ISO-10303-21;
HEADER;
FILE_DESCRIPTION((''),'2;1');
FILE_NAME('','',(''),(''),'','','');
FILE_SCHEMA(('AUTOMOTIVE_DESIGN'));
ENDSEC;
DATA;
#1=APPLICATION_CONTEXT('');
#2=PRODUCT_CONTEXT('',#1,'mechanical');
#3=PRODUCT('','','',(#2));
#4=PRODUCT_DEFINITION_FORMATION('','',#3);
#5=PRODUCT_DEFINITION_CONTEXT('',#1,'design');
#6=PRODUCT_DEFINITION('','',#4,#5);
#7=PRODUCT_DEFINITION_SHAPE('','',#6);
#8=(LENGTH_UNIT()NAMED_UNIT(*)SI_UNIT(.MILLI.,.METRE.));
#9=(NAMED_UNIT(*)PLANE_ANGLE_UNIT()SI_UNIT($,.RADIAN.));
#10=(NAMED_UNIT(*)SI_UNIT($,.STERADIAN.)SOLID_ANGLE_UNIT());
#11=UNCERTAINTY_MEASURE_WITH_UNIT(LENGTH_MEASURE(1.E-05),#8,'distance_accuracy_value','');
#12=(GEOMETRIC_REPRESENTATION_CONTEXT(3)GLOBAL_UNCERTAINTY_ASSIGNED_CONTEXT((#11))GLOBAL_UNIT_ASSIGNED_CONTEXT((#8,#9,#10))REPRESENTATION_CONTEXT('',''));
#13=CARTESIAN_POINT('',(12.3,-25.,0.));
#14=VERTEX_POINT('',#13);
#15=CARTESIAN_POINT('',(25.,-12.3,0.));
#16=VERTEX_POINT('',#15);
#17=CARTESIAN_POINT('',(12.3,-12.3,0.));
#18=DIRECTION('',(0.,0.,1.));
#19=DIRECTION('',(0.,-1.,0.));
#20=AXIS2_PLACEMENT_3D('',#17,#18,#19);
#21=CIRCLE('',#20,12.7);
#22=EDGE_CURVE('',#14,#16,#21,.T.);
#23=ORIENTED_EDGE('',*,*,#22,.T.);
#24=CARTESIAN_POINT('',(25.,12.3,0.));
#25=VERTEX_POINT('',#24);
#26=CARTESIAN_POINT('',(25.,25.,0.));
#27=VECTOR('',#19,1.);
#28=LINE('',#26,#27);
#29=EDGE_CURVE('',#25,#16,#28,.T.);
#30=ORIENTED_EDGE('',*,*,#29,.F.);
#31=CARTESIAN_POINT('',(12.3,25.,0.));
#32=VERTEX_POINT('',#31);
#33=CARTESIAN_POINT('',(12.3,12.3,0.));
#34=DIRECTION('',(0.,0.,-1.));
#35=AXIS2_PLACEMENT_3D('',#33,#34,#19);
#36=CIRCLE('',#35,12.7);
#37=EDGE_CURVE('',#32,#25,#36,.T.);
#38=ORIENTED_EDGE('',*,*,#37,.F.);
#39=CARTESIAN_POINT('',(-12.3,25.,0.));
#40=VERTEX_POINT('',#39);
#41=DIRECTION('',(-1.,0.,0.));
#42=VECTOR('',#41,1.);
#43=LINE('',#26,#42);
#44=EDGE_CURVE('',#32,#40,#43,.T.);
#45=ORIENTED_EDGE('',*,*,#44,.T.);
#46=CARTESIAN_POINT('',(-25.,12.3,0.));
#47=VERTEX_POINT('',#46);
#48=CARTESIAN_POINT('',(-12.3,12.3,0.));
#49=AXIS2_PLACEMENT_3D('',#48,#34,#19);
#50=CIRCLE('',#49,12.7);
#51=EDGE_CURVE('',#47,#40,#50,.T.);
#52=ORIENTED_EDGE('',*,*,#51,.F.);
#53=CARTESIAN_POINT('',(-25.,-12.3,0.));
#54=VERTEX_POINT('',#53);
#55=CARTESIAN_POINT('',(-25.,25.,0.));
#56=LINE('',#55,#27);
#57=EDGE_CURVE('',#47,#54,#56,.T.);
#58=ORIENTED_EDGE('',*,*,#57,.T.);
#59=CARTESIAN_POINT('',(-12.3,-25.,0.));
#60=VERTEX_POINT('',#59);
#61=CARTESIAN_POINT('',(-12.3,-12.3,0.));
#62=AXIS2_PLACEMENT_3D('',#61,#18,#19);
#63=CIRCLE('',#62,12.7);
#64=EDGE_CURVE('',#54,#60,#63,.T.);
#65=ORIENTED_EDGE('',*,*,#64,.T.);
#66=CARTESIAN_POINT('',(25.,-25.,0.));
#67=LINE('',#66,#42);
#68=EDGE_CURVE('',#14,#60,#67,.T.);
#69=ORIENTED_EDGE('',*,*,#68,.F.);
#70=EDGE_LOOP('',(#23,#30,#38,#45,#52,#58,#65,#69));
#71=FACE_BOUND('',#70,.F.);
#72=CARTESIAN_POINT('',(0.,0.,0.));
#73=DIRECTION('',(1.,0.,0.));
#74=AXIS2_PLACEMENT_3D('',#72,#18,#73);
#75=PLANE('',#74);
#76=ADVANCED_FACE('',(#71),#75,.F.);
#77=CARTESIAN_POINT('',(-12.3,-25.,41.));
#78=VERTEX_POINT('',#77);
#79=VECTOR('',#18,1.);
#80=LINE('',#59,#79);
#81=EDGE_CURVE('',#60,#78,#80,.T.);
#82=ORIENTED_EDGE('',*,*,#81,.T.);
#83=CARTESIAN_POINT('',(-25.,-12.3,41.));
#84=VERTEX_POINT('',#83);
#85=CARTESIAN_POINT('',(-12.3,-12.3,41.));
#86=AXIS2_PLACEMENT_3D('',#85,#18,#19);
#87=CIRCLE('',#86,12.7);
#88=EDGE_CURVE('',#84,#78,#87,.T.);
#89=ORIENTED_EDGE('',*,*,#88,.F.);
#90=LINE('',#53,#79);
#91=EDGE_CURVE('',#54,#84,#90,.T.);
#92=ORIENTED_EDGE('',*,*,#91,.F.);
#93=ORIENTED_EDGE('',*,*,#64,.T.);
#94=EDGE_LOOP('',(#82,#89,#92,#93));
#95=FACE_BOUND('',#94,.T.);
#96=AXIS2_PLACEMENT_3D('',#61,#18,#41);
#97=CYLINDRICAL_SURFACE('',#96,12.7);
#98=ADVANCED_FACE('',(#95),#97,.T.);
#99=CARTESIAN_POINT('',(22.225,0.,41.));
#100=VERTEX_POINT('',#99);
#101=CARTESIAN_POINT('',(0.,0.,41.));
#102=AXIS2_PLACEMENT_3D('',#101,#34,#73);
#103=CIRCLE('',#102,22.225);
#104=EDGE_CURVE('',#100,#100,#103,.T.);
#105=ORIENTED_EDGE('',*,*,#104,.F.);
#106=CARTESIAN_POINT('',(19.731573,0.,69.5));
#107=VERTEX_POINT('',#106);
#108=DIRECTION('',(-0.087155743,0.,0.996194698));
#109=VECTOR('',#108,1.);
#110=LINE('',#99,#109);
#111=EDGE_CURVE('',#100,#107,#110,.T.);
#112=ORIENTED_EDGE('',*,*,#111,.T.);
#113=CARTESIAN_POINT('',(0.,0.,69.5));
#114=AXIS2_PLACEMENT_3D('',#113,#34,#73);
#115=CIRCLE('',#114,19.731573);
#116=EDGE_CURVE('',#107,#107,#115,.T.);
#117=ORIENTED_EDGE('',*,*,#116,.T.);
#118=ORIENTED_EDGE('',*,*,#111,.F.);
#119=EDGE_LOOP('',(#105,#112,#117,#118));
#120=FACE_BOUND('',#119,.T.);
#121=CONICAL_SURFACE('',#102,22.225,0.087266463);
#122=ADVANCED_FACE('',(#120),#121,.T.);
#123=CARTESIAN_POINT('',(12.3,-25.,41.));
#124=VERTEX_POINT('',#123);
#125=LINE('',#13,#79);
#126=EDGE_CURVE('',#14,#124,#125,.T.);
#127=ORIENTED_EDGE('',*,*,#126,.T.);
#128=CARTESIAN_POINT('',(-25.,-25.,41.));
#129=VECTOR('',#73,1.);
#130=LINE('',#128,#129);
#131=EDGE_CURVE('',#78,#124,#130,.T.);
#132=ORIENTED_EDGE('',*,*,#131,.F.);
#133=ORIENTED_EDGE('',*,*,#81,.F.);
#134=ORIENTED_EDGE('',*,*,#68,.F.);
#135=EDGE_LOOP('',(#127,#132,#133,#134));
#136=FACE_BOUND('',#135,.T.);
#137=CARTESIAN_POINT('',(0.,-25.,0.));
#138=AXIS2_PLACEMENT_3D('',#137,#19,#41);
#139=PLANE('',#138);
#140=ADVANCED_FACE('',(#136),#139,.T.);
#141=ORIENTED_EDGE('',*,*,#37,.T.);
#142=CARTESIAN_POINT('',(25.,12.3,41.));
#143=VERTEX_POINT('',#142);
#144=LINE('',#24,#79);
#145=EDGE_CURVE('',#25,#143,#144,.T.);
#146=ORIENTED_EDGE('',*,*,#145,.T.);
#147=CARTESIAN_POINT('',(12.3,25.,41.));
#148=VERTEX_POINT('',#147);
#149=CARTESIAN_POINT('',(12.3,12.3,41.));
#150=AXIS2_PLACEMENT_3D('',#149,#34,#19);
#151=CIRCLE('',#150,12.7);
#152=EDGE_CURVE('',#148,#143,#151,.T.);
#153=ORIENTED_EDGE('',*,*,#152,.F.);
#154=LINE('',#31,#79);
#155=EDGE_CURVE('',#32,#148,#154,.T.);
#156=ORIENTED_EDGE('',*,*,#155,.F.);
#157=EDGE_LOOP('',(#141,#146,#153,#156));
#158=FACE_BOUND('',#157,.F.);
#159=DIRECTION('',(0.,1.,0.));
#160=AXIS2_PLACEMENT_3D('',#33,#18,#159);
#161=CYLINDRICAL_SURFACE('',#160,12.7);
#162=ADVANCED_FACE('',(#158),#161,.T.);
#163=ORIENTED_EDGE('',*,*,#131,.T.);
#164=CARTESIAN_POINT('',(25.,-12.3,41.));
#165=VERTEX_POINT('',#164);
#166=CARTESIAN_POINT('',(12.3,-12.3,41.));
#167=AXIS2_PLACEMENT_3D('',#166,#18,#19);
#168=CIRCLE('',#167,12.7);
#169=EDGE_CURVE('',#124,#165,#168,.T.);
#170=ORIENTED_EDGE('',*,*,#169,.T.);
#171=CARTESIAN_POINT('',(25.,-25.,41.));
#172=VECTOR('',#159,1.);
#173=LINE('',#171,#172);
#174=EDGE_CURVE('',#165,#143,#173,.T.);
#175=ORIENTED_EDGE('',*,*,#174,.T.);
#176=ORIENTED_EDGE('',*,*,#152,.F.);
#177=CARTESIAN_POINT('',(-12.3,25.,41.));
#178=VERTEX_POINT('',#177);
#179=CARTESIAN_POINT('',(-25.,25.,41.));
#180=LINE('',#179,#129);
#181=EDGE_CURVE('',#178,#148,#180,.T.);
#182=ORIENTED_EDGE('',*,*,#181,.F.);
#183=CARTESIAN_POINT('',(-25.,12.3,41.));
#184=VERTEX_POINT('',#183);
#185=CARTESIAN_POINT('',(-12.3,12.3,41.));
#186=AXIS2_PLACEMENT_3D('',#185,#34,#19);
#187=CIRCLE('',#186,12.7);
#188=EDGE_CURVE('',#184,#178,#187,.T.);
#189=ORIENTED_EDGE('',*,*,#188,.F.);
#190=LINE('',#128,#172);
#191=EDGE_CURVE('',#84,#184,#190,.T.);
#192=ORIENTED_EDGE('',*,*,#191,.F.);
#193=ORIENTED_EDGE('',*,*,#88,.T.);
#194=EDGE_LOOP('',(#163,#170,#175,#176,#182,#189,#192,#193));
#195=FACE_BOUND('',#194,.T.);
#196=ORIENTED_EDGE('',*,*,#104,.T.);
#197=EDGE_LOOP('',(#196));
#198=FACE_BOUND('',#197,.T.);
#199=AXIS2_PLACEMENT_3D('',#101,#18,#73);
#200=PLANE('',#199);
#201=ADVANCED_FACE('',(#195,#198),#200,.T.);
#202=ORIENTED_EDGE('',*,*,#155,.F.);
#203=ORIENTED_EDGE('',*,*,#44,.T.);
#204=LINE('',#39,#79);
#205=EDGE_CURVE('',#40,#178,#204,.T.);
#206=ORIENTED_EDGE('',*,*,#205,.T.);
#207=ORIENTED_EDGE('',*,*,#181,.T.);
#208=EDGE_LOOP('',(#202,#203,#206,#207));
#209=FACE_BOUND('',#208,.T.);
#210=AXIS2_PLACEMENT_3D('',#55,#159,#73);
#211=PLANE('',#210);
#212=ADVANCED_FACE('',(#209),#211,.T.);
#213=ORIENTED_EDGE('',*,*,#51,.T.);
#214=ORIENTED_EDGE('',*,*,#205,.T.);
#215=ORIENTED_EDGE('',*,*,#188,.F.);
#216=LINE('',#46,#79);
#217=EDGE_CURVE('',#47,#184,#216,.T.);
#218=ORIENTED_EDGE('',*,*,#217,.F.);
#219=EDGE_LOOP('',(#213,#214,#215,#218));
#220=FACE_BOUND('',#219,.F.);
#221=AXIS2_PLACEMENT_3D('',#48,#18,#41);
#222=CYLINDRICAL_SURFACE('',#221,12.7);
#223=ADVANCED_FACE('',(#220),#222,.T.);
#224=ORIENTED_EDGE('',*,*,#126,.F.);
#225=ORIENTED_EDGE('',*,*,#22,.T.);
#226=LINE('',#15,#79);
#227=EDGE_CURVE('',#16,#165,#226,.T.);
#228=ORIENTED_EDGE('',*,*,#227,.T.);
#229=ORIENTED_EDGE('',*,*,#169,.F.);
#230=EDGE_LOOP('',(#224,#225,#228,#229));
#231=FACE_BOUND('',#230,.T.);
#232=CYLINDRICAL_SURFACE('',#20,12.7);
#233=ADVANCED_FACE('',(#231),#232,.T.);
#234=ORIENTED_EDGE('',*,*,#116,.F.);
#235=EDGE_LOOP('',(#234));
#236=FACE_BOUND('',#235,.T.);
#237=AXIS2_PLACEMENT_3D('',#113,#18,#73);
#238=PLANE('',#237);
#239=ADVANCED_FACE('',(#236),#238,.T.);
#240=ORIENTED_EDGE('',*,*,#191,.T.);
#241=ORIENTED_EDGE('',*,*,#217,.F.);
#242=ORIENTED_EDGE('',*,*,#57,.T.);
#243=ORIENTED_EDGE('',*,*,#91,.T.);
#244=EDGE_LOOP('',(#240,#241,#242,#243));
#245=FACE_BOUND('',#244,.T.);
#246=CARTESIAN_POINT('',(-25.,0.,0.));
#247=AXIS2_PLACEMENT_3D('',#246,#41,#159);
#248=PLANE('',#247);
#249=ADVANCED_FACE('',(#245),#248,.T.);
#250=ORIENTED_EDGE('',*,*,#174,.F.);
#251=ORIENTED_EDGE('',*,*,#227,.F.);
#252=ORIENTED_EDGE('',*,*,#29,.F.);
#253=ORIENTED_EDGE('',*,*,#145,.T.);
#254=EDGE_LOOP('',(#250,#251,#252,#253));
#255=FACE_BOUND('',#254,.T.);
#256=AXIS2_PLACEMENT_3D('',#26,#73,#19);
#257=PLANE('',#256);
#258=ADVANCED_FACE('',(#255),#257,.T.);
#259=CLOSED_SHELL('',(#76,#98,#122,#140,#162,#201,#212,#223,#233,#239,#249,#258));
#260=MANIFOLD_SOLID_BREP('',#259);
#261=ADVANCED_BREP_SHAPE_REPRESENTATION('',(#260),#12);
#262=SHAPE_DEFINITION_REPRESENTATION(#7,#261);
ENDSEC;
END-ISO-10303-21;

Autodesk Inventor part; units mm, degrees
ref_plane "YZ Plane" through (0, 0, 0) normal (1, 0, 0) x (0, 1, 0)
ref_plane "XZ Plane" through (0, 0, 0) normal (0, 1, 0) x (-1, 0, 0)
ref_plane "XY Plane" through (0, 0, 0) normal (0, 0, 1) x (1, 0, 0)
sketch "Sketch1" plane through (0, 0, 0) normal (0, 0, 1) x (1, 0, 0)
  line L0 (-35, 0) -> (35, 0) projected
  line L1 (0, -35) -> (0, 35) projected
  line L2 (-25, 25) -> (25, 25)
  line L3 (25, 25) -> (25, -25)
  line L4 (25, -25) -> (-25, -25)
  line L5 (-25, -25) -> (-25, 25)
  point P0 (0, 0)
  point P1 (-25, 0)
  point P2 (0, 25)
  dimension "d0" = 50
extrude "Extrusion1" add sketch "Sketch1" along normal blind 41
sketch "Sketch2" plane through (0, 0, 41) normal (0, 0, 1) x (1, 0, 0)
  circle A0 centre (0, 0) radius 22.225
  dimension "d3" = 44.45
extrude "Extrusion2" add sketch "Sketch2" along normal blind 28.5 draft -5
fillet "Fillet1" radius 12.7 4 edges at (25, 25, 20.5) (25, -25, 20.5) (-25, 25, 20.5) (-25, -25, 20.5)
properties part number "rangefinder model"
